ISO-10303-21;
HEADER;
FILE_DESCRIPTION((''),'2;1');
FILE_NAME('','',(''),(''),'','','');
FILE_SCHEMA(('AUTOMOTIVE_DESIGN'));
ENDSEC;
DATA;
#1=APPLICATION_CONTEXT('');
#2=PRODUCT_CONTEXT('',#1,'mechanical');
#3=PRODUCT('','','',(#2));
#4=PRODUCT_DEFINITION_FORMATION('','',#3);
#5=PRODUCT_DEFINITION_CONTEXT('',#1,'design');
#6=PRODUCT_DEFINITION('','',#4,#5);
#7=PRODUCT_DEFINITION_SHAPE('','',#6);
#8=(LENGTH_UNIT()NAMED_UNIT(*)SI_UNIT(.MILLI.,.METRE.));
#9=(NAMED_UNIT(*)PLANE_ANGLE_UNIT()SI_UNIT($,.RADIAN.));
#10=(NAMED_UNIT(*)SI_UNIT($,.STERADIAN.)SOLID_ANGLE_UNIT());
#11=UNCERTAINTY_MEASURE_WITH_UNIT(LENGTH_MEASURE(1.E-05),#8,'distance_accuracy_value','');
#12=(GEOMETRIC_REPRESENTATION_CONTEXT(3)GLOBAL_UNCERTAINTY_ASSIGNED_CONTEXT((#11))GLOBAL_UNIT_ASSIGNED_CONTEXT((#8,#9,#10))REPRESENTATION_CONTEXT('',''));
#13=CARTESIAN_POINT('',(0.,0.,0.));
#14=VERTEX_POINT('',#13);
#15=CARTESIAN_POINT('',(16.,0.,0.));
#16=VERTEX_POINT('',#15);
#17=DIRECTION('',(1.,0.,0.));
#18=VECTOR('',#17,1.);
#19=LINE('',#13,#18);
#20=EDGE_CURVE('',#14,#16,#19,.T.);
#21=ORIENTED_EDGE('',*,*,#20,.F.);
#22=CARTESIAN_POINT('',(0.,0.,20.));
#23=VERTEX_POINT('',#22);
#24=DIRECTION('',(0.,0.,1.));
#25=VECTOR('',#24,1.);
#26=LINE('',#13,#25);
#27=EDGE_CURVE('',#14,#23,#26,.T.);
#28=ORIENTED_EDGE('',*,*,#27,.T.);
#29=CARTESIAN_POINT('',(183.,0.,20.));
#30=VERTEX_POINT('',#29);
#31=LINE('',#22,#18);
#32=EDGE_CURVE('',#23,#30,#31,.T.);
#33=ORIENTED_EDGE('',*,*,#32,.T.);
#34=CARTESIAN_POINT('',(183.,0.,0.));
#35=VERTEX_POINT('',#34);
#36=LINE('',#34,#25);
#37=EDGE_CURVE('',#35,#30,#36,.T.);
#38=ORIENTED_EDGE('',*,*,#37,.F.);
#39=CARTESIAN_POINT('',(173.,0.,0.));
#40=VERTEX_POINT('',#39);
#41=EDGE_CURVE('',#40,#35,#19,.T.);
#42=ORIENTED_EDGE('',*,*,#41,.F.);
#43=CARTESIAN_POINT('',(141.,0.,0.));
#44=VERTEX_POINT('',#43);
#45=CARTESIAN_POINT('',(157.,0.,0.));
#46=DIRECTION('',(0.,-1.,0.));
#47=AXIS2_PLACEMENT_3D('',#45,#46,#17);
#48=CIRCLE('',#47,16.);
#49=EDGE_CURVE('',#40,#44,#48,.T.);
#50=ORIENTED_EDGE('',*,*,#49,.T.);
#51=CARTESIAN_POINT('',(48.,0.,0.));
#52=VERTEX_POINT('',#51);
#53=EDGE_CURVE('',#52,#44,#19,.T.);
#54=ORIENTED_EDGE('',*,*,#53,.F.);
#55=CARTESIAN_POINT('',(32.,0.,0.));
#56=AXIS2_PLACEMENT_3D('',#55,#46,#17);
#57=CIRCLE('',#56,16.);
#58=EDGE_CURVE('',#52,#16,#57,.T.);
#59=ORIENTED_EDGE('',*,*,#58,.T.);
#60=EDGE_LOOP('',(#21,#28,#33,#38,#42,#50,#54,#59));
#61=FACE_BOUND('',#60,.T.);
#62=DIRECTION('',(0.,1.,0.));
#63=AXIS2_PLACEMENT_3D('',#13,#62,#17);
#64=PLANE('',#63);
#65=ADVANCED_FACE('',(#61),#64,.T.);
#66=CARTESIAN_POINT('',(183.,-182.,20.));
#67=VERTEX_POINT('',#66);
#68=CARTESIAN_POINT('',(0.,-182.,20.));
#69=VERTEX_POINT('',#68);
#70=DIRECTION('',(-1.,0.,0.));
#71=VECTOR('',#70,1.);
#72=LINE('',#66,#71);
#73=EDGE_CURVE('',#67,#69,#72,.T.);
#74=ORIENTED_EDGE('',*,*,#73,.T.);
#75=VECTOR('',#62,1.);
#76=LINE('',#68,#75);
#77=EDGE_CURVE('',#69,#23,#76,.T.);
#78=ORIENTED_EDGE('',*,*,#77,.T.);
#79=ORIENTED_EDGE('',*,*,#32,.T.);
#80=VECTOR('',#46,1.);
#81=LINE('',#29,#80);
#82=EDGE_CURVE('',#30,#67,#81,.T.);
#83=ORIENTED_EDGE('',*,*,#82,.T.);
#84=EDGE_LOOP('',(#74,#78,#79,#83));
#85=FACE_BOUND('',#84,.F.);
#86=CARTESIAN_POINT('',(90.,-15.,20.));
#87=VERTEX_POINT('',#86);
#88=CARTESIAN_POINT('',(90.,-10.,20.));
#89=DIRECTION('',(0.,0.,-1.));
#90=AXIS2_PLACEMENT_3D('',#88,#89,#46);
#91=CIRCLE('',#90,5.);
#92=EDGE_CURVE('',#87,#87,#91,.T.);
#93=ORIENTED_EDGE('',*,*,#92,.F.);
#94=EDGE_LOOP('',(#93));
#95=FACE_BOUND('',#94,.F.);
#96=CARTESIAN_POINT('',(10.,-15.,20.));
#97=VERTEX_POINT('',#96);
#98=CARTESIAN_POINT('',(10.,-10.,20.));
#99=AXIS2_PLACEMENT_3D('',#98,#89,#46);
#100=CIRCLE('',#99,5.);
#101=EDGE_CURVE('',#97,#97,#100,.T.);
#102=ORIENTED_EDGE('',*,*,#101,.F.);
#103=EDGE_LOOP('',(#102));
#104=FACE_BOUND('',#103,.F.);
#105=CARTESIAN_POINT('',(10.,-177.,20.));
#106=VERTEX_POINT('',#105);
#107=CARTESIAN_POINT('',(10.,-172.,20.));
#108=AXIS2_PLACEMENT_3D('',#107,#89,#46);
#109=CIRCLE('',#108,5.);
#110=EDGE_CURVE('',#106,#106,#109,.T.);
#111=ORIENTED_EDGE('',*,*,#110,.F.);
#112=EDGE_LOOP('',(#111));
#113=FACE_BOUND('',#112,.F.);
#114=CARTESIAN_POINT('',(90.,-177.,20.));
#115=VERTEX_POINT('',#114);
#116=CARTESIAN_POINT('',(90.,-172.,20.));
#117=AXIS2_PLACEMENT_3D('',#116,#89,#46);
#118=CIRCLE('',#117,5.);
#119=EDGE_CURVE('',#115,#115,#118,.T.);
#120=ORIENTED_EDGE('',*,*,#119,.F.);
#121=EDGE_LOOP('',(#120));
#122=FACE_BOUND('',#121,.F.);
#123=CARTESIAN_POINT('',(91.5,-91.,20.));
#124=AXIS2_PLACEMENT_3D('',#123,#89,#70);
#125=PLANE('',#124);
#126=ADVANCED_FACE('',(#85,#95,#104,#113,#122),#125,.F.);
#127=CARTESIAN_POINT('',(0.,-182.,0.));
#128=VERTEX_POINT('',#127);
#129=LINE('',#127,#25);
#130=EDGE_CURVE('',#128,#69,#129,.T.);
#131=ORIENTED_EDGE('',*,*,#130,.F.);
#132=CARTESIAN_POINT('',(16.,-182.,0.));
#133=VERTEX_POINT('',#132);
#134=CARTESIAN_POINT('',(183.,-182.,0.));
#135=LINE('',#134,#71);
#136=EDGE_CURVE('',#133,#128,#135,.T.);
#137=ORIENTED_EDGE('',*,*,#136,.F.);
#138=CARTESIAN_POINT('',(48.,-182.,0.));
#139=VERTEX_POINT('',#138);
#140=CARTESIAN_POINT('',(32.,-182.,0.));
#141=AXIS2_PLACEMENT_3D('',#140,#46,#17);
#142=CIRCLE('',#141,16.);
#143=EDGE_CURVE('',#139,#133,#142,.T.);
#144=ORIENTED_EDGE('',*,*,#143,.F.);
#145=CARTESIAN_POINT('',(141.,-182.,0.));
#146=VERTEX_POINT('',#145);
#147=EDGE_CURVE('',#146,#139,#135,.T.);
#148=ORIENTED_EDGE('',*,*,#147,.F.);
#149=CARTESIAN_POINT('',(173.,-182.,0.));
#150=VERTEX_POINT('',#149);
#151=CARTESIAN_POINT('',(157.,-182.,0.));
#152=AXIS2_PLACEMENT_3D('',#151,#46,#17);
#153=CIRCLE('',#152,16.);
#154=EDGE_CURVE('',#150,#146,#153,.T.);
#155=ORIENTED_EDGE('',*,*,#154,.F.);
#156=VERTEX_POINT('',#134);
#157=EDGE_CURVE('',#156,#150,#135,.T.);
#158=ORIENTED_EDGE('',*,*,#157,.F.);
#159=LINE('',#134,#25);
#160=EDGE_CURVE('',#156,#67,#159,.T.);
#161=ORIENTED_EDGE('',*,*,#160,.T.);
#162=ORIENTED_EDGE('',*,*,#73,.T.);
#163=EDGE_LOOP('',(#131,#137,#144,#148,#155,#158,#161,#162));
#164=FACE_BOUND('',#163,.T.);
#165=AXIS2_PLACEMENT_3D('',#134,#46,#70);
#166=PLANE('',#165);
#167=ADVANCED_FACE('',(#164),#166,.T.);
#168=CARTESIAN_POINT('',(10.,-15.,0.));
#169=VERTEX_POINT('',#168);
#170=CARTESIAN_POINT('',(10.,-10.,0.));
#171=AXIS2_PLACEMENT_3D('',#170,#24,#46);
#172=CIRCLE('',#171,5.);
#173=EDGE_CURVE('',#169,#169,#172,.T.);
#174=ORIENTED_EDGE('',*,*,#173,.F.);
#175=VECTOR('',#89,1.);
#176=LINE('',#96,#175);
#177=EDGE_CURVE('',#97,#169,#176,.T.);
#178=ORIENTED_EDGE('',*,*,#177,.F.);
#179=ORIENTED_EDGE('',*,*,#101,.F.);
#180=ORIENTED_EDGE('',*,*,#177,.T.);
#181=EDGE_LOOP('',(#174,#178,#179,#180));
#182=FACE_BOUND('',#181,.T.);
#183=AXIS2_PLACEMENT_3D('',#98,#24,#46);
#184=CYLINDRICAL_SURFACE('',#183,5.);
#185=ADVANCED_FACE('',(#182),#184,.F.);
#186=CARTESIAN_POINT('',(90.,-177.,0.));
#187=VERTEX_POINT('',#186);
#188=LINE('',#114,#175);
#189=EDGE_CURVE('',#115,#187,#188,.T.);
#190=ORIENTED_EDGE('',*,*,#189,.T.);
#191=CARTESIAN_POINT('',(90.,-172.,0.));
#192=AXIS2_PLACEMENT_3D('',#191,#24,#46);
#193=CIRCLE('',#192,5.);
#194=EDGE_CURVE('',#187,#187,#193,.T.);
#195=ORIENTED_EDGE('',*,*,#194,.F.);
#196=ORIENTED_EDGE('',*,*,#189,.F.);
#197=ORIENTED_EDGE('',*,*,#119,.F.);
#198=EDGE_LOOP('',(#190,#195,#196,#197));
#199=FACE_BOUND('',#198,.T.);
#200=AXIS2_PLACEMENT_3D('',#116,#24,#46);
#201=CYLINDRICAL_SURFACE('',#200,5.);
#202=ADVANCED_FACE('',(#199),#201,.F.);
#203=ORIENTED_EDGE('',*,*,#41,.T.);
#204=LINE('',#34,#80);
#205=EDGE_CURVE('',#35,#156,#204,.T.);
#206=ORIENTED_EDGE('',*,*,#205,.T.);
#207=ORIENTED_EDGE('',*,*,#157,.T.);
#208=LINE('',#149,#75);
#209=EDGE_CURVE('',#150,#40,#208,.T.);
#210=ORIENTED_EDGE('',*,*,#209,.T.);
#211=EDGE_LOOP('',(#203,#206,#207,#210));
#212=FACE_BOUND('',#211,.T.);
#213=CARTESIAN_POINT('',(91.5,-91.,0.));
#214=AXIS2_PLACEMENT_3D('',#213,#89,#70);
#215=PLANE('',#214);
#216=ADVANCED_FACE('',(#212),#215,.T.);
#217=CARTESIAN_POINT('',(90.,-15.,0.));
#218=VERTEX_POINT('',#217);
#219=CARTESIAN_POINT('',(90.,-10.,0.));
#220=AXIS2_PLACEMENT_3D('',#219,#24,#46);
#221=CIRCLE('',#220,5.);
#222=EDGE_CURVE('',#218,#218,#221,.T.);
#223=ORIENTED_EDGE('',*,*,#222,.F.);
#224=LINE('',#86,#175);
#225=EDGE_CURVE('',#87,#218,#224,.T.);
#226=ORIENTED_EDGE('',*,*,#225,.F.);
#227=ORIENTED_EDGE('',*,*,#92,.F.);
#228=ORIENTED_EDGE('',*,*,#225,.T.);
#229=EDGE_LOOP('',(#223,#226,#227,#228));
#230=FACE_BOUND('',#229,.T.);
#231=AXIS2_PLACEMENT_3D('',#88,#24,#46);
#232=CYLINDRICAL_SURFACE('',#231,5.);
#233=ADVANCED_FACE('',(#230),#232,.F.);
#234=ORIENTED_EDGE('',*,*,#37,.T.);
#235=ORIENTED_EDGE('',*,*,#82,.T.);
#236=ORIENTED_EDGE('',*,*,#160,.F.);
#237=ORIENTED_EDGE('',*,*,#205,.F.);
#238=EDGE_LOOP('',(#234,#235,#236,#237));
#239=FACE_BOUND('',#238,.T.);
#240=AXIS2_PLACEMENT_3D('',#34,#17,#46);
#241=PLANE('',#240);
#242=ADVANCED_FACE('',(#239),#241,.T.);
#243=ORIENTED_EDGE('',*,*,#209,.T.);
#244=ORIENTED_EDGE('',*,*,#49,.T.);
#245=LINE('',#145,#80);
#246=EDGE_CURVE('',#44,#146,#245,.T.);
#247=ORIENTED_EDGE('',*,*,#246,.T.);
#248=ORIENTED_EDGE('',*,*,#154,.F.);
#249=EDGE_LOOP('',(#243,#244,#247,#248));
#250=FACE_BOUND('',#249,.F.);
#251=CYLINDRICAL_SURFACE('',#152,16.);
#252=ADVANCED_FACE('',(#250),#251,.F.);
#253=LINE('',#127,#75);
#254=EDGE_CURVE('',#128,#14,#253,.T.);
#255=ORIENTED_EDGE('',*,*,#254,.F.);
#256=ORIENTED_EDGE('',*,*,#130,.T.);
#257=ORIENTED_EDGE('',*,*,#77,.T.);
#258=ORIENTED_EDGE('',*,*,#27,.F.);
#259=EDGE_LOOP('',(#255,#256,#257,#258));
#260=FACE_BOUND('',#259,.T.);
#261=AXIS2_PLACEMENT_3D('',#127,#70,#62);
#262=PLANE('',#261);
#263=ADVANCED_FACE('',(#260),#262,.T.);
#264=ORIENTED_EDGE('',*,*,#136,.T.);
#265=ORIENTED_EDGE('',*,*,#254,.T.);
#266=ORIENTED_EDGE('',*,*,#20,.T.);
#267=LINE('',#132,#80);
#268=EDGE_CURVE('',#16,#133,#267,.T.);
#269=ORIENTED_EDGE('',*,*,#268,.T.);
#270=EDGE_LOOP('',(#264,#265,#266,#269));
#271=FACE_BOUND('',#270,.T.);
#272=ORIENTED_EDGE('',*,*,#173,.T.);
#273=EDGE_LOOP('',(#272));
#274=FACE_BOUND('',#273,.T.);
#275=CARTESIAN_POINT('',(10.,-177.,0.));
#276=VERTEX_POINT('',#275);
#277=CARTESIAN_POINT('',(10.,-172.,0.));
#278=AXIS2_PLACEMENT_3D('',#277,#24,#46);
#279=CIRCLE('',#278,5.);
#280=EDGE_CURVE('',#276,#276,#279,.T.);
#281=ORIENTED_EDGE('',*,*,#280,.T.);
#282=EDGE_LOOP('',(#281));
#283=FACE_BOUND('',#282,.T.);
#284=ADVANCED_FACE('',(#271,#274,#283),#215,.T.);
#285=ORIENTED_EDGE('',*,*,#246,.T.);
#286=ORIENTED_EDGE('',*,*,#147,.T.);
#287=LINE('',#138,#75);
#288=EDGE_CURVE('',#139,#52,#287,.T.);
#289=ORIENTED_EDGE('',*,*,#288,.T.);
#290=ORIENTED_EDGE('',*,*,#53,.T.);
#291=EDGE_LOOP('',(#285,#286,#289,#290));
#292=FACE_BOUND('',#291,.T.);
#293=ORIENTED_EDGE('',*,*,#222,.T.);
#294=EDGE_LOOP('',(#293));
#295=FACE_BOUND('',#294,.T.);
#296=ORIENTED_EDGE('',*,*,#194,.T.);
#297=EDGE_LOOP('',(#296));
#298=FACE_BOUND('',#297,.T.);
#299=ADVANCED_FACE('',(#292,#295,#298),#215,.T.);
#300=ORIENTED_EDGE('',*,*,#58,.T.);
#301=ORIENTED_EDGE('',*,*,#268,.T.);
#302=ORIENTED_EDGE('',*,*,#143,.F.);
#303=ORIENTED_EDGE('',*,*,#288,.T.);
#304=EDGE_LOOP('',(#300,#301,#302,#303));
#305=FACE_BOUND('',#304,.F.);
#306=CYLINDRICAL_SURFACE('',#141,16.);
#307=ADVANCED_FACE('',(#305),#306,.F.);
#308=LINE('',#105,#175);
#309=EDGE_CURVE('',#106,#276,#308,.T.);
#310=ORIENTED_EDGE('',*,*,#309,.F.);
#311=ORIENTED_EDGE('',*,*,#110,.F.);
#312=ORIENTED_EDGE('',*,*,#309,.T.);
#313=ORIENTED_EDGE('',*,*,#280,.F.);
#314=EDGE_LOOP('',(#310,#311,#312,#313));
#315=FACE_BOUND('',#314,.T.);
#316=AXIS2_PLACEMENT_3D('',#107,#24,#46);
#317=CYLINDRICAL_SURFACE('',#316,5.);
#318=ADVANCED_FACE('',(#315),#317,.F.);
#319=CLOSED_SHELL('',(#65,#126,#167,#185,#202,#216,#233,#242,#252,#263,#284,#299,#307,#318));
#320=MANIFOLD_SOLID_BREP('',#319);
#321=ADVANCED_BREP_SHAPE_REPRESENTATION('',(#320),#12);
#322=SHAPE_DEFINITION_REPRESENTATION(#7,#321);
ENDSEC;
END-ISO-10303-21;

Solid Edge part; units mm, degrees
sketch "Sketch1" plane through (0, 0, 0) normal (0, 0, 1) x (1, 0, 0)
  line L0 (183, -182) -> (0, -182)
  line L1 (0, -182) -> (0, 0)
  line L2 (0, 0) -> (183, 0)
  line L3 (183, 0) -> (183, -182)
  dimension "D1" = 182
  dimension "D2" = 183
extrude "Protrusion1" add sketch "Sketch1" along normal blind 20
sketch "Sketch2" plane through (91.5, -182, 10) normal (0, -1, 0) x (1, 0, 0)
  circle A0 centre (-59.5, -10) radius 16
  circle A1 centre (65.5, -10) radius 16
  dimension "D1" = 32
  dimension "D2" = 32
  dimension "D3" = 125
extrude "Cutout1" cut sketch "Sketch2" against normal through all
hole "Hole1" at (10, -172, 20) direction (0, 0, -1) diameter 10 end up to next
hole "Hole2" at (90, -172, 20) direction (0, 0, -1) diameter 10 end up to next
hole "Hole3" at (90, -10, 20) direction (0, 0, -1) diameter 10 end up to next
hole "Hole4" at (10, -10, 20) direction (0, 0, -1) diameter 10 end up to next
